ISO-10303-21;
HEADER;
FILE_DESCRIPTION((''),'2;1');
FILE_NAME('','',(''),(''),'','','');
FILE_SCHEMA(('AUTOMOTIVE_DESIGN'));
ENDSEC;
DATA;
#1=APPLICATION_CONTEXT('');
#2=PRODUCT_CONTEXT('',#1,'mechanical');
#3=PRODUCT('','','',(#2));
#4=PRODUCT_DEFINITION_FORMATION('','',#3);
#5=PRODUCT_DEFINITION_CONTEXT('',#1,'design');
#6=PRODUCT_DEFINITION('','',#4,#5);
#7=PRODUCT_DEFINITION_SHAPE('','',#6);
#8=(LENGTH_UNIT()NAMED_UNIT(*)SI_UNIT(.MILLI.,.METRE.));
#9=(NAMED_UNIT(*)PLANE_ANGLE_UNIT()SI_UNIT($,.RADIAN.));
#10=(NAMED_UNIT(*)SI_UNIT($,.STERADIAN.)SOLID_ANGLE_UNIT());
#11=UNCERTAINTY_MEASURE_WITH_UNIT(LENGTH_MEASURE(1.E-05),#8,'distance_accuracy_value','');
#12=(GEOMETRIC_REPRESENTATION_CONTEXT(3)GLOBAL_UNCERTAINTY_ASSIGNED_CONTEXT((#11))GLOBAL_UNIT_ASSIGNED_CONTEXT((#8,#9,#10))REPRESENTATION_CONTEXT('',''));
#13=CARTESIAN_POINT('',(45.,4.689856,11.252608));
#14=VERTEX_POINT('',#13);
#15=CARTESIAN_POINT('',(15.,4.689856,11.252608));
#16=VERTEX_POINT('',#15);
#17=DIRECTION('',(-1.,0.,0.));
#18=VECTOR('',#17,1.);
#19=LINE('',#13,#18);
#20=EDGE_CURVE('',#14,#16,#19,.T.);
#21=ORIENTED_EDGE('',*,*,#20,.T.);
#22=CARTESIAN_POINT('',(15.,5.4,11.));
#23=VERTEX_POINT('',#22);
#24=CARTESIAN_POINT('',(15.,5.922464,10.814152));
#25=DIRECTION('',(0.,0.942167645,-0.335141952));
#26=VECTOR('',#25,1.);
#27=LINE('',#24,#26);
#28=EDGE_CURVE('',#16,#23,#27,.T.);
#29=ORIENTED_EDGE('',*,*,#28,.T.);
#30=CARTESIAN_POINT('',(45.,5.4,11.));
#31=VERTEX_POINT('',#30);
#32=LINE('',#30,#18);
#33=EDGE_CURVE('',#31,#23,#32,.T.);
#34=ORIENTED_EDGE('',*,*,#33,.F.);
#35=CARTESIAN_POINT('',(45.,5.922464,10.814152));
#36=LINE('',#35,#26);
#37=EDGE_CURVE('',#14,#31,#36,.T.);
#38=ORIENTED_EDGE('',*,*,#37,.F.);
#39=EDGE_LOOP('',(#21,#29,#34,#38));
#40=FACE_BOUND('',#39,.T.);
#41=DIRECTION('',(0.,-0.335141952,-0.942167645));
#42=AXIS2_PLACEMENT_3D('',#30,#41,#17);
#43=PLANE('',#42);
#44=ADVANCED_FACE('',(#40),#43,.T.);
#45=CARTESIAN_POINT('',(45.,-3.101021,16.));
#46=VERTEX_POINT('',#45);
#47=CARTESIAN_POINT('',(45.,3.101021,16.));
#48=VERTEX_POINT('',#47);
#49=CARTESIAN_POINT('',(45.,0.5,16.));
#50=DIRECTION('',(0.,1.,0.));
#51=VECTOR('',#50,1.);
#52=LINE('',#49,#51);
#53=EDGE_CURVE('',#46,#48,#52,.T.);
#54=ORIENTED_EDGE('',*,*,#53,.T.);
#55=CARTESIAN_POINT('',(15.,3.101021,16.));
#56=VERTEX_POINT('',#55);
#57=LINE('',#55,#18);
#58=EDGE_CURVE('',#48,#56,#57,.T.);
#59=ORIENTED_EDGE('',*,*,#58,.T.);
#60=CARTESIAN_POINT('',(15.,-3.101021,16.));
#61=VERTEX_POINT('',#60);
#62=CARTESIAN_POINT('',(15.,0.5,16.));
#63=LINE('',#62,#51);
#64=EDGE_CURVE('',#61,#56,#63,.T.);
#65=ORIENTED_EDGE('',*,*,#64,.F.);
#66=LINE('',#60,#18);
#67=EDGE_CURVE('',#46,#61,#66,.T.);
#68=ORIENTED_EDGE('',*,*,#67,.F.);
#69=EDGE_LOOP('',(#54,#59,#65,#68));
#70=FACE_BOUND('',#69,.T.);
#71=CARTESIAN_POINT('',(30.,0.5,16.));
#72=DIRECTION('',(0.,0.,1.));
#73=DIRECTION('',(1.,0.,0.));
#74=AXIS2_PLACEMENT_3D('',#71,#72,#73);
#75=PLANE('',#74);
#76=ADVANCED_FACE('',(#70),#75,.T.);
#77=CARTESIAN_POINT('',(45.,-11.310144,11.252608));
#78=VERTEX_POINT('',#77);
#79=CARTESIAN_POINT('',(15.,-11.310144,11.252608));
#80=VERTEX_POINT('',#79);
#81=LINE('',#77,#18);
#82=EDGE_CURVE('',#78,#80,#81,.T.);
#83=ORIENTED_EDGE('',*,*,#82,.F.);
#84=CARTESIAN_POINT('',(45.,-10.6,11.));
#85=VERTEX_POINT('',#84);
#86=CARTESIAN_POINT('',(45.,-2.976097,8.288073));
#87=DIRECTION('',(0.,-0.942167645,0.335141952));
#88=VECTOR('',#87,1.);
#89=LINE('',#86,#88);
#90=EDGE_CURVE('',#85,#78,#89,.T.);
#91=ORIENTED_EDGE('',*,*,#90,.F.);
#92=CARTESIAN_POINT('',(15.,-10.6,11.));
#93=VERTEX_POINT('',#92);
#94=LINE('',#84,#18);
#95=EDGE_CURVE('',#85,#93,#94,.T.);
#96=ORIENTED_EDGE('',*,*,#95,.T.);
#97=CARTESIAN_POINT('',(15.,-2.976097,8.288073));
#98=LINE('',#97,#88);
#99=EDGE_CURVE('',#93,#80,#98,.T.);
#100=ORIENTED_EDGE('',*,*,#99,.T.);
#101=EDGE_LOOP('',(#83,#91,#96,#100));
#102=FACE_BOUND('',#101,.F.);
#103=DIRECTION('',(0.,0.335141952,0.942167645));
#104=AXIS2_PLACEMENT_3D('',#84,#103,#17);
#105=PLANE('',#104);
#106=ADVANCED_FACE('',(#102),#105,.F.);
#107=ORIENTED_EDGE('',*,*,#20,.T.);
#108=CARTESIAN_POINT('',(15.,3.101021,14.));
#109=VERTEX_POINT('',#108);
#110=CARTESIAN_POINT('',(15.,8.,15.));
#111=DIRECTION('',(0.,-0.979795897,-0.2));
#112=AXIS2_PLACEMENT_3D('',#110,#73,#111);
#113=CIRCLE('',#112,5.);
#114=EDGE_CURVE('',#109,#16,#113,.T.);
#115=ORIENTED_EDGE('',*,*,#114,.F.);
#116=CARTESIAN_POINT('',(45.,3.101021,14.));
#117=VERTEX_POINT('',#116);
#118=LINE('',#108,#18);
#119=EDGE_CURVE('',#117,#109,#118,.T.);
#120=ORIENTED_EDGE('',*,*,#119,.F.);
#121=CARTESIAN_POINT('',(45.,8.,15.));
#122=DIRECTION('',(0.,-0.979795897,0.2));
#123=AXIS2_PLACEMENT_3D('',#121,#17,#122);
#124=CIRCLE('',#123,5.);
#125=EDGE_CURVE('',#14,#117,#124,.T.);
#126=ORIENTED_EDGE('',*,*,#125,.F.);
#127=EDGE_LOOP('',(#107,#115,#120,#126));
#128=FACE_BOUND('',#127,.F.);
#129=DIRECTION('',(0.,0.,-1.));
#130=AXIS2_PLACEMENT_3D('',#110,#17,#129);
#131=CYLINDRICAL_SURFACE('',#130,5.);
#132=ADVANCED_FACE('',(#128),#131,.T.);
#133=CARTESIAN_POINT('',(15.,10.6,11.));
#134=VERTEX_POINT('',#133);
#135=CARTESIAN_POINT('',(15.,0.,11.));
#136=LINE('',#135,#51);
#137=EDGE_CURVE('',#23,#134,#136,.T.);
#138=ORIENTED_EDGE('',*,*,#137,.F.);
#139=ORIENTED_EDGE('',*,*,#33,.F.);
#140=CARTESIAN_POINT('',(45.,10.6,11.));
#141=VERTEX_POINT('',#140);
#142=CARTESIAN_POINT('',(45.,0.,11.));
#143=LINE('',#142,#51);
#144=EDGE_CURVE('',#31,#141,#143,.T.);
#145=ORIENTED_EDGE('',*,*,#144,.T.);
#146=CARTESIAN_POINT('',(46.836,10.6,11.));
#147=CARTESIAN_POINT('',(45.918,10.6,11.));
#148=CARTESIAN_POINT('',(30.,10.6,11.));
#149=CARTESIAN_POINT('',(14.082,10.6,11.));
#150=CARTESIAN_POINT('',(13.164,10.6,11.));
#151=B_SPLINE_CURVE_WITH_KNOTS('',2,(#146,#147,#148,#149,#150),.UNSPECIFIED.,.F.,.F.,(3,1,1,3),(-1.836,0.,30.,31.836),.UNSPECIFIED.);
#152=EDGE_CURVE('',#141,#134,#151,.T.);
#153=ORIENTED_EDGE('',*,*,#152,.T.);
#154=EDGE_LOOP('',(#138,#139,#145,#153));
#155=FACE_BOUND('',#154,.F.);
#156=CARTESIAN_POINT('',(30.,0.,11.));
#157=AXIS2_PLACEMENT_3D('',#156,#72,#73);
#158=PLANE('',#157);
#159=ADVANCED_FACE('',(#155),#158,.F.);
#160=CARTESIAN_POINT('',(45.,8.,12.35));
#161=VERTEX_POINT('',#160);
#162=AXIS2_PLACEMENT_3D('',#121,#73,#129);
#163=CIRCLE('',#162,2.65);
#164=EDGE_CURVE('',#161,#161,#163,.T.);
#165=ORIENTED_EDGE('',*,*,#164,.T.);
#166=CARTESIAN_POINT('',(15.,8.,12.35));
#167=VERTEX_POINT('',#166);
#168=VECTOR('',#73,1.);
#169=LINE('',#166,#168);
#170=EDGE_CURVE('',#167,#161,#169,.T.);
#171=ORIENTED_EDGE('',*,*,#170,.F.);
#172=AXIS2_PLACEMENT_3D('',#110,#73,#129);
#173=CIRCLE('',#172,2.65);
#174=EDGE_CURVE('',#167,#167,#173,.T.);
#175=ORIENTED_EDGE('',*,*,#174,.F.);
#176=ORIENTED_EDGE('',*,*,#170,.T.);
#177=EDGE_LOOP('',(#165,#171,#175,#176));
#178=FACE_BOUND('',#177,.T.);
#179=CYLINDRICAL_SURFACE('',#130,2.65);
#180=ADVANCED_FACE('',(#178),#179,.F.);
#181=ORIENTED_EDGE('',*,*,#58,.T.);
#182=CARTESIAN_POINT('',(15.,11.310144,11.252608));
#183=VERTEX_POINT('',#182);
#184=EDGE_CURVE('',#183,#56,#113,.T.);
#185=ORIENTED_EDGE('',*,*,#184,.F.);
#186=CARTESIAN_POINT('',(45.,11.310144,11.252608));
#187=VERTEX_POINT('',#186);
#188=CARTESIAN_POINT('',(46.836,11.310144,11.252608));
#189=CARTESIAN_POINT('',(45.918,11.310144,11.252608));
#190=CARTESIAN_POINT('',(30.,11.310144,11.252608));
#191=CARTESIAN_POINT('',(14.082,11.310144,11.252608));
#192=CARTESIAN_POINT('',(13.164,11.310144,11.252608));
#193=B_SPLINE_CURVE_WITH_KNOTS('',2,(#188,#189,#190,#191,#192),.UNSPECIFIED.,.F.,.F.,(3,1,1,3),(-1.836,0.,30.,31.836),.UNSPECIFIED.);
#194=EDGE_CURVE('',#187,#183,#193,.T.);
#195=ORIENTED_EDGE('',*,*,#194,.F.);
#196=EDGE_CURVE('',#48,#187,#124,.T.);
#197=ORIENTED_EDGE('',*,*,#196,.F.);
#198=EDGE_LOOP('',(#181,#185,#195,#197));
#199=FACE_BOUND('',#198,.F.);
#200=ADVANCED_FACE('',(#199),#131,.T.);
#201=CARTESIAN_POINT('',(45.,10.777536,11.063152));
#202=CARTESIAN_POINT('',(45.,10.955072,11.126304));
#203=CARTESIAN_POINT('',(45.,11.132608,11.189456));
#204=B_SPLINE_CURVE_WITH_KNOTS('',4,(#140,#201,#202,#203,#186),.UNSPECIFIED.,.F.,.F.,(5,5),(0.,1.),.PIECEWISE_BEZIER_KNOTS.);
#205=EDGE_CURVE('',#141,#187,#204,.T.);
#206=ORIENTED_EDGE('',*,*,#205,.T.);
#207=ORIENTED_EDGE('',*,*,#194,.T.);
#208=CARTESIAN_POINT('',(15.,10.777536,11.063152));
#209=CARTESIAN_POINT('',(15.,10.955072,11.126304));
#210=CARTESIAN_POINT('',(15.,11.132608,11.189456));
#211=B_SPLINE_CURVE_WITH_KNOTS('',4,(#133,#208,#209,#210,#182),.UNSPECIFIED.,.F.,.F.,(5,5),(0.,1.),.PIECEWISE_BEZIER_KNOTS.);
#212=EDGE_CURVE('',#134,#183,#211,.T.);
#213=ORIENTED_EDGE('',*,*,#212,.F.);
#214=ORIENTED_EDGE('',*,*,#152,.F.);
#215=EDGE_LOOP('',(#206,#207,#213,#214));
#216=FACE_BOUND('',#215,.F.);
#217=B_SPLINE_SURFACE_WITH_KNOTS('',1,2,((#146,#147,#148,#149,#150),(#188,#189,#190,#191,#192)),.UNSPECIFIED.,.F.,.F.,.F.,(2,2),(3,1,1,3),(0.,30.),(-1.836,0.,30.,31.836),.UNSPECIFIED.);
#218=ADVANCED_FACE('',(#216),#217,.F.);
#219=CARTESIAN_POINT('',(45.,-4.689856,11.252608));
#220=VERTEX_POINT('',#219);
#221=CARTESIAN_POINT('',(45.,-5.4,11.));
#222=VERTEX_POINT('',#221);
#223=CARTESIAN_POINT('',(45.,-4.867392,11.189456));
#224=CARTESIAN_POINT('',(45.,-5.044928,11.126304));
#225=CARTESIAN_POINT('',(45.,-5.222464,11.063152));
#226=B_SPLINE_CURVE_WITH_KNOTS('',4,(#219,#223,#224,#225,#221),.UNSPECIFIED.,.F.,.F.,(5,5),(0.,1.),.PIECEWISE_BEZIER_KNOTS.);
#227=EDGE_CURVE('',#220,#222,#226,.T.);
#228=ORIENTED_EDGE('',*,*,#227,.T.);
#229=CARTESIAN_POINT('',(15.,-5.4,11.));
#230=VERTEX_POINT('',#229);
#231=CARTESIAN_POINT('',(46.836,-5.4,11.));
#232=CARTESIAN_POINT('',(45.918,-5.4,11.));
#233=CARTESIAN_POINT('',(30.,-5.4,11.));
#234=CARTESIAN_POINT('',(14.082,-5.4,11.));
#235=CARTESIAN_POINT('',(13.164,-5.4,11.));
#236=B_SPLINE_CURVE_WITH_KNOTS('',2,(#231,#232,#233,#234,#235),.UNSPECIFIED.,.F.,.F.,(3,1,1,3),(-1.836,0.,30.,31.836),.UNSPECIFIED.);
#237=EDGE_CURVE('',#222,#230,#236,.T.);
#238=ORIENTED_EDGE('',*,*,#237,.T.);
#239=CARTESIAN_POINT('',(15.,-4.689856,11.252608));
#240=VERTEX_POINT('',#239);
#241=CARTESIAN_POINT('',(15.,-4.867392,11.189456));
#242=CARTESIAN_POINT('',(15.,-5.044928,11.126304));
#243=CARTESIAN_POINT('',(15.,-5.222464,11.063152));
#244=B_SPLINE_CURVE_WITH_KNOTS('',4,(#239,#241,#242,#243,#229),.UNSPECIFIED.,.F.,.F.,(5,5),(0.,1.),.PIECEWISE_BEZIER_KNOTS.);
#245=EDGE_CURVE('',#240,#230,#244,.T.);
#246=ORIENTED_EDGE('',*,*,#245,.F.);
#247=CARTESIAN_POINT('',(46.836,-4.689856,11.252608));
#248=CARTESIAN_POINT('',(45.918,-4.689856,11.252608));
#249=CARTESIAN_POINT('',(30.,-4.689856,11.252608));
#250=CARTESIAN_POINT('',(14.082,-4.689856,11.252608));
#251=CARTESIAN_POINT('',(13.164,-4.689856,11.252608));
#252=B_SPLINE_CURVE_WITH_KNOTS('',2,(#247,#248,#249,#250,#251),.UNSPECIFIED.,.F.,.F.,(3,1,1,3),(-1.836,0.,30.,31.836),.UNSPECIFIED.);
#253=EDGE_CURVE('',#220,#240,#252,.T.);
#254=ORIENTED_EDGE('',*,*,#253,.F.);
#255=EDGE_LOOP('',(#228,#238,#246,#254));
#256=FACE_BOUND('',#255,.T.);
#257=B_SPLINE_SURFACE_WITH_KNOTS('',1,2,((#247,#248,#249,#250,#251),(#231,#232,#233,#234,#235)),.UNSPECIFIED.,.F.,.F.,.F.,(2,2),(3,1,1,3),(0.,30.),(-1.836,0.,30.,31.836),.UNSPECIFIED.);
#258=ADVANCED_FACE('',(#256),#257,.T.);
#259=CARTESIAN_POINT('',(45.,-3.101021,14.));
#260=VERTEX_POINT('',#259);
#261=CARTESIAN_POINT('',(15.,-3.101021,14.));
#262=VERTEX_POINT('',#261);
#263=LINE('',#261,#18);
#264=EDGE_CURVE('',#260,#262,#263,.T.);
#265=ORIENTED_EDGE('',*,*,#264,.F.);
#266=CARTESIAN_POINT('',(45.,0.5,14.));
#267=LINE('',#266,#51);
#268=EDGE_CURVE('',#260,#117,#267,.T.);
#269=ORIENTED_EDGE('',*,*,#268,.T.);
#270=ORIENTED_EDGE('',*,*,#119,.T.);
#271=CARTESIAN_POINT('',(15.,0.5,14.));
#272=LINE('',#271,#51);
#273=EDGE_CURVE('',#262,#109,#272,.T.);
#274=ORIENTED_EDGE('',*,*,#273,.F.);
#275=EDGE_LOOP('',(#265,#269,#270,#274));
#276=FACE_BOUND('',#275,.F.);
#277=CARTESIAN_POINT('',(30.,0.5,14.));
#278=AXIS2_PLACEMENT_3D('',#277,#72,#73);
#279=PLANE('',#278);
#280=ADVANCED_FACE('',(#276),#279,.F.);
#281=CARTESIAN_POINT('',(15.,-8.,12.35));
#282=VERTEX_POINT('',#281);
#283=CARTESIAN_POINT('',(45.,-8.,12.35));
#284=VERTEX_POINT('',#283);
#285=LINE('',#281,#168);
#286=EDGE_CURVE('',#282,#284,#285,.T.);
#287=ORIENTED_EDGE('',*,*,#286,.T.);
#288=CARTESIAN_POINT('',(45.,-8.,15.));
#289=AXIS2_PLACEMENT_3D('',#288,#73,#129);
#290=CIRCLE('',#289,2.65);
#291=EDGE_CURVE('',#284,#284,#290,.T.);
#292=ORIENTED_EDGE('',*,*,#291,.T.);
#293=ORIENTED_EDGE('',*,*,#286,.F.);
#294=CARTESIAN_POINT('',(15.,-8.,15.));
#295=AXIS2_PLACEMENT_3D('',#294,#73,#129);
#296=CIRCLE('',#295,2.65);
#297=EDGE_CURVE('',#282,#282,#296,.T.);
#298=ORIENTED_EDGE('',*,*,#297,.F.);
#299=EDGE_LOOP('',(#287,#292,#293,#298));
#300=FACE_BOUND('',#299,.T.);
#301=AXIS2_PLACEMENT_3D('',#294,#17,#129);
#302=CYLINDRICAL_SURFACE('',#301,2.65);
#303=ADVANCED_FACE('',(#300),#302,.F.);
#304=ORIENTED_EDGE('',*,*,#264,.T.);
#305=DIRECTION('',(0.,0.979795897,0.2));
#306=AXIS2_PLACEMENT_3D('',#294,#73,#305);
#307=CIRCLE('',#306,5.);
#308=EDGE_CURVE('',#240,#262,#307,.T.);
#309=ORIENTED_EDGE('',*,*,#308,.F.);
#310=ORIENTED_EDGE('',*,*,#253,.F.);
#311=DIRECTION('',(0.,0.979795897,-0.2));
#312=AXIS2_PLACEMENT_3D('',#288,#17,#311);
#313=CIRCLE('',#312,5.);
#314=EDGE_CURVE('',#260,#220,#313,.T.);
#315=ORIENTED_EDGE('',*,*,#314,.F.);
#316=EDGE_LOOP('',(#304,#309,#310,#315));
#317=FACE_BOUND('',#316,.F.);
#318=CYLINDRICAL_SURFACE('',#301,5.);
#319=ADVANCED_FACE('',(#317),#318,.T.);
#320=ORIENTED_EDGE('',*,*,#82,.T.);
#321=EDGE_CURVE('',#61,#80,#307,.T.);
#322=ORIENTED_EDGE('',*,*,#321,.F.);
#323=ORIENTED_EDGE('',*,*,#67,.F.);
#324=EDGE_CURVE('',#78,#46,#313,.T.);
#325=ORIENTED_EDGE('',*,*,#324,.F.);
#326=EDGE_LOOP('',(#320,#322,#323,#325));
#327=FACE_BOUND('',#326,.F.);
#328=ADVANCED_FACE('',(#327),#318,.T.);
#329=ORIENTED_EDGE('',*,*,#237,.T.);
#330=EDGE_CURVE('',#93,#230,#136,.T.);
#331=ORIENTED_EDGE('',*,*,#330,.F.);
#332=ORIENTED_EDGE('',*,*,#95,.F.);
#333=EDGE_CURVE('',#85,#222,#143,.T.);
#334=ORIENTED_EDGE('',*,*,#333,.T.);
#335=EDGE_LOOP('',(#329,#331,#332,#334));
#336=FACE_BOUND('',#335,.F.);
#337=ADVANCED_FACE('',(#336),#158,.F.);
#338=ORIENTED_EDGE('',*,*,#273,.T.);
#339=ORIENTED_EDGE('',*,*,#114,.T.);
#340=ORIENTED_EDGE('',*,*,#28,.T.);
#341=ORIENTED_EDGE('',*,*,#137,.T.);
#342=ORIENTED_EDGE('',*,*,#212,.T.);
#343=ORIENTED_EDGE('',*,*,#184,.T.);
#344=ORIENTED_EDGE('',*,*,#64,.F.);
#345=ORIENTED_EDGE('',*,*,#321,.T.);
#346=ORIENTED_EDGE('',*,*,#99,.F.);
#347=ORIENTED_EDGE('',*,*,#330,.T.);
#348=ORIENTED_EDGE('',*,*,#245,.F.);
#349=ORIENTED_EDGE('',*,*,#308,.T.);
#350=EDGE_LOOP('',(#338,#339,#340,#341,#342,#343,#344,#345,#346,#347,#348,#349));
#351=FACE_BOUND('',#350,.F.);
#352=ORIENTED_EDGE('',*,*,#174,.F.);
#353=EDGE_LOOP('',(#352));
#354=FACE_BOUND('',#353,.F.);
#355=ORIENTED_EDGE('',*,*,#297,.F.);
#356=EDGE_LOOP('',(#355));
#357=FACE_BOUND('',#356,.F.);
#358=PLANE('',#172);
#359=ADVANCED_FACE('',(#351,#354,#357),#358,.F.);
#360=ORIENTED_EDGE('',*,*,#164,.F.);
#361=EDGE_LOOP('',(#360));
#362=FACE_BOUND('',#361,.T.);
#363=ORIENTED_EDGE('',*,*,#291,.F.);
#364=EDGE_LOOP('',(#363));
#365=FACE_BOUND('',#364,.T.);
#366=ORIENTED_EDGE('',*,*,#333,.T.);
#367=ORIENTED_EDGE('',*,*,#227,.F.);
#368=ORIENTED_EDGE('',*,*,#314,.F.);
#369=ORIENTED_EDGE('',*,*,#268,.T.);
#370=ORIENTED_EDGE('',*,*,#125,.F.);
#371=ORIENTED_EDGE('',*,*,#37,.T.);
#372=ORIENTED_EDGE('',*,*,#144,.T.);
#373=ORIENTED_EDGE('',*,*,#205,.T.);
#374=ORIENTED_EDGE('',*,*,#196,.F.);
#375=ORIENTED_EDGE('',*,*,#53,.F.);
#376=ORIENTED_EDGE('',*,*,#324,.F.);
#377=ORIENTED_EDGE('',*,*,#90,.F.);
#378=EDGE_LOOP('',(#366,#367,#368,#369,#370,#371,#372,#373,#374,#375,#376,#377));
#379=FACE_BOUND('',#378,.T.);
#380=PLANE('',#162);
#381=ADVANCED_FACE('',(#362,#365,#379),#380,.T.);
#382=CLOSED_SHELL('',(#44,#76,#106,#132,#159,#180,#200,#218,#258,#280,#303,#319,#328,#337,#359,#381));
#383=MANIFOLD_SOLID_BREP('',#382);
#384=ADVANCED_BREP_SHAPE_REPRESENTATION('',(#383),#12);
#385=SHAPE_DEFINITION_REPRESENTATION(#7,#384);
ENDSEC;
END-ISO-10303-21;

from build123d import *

# Parameters (mm, degrees)
BOX047_W           = 30
BOX047_H           = 24
BOX047_DEPTH       = 2
CYLINDER053_R      = 2.65
CYLINDER053_DEPTH  = 30
CYLINDER054_R      = 2.65
CYLINDER054_DEPTH  = 30
CYLINDER052_R      = 5
CYLINDER052_DEPTH  = 30
CYLINDER051_R      = 5
CYLINDER051_DEPTH  = 30
BOX046_W           = 30
BOX046_H           = 9
BOX046_DEPTH       = 2
CHAMFER006038_SIZE = 0.4


with BuildPart() as cube047:
    # Box047 → Box047 (new body)
    with BuildSketch(Plane(origin=(15, -12, 9), x_dir=(1, 0, 0), z_dir=(0, 0, 1))):
        with Locations((15, 12)):
            Rectangle(BOX047_W, BOX047_H)
    extrude(amount=BOX047_DEPTH)


with BuildPart() as cylinder053:
    # Cylinder053 → Cylinder053 (new body)
    with BuildSketch(Plane(origin=(15, -8, 15), x_dir=(0, 0, -1), z_dir=(1, 0, 0))):
        Circle(CYLINDER053_R)
    extrude(amount=CYLINDER053_DEPTH)


with BuildPart() as fusion020006007003002009018004004019:
    # Cylinder054 → Cylinder054 (new body)
    with BuildSketch(Plane(origin=(15, 8, 15), x_dir=(0, 0, -1), z_dir=(1, 0, 0))):
        Circle(CYLINDER054_R)
    extrude(amount=CYLINDER054_DEPTH)

    # Fusion020006007003002009018004004019: union Cylinder053
    add(cylinder053.part)


with BuildPart() as cylinder052:
    # Cylinder052 → Cylinder052 (new body)
    with BuildSketch(Plane(origin=(15, -8, 15), x_dir=(0, 0, -1), z_dir=(1, 0, 0))):
        Circle(CYLINDER052_R)
    extrude(amount=CYLINDER052_DEPTH)


with BuildPart() as cylinder051:
    # Cylinder051 → Cylinder051 (new body)
    with BuildSketch(Plane(origin=(15, 8, 15), x_dir=(0, 0, -1), z_dir=(1, 0, 0))):
        Circle(CYLINDER051_R)
    extrude(amount=CYLINDER051_DEPTH)


with BuildPart() as back_30mm_spacer_trim:
    # Box046 → Box046 (new body)
    with BuildSketch(Plane(origin=(15, -4, 14), x_dir=(1, 0, 0), z_dir=(0, 0, 1))):
        with Locations((15, 4.5)):
            Rectangle(BOX046_W, BOX046_H)
    extrude(amount=BOX046_DEPTH)

    # Fusion020006007003002009018004004018: union Cylinder052, Cylinder051
    add(cylinder052.part)
    add(cylinder051.part)

    # Cut019003008: cut Fusion020006007003002009018004004019
    add(fusion020006007003002009018004004019.part, mode=Mode.SUBTRACT)

    # Cut019003009: cut Cube047
    add(cube047.part, mode=Mode.SUBTRACT)

    # Chamfer006038
    chamfer006038_edges = [back_30mm_spacer_trim.edges().sort_by_distance(p)[0] for p in [
        (30, -5, 11),
        (30, -11, 11),
        (30, 11, 11),
        (30, 5, 11),
    ]]
    chamfer(chamfer006038_edges, length=CHAMFER006038_SIZE)


solid = back_30mm_spacer_trim.part
